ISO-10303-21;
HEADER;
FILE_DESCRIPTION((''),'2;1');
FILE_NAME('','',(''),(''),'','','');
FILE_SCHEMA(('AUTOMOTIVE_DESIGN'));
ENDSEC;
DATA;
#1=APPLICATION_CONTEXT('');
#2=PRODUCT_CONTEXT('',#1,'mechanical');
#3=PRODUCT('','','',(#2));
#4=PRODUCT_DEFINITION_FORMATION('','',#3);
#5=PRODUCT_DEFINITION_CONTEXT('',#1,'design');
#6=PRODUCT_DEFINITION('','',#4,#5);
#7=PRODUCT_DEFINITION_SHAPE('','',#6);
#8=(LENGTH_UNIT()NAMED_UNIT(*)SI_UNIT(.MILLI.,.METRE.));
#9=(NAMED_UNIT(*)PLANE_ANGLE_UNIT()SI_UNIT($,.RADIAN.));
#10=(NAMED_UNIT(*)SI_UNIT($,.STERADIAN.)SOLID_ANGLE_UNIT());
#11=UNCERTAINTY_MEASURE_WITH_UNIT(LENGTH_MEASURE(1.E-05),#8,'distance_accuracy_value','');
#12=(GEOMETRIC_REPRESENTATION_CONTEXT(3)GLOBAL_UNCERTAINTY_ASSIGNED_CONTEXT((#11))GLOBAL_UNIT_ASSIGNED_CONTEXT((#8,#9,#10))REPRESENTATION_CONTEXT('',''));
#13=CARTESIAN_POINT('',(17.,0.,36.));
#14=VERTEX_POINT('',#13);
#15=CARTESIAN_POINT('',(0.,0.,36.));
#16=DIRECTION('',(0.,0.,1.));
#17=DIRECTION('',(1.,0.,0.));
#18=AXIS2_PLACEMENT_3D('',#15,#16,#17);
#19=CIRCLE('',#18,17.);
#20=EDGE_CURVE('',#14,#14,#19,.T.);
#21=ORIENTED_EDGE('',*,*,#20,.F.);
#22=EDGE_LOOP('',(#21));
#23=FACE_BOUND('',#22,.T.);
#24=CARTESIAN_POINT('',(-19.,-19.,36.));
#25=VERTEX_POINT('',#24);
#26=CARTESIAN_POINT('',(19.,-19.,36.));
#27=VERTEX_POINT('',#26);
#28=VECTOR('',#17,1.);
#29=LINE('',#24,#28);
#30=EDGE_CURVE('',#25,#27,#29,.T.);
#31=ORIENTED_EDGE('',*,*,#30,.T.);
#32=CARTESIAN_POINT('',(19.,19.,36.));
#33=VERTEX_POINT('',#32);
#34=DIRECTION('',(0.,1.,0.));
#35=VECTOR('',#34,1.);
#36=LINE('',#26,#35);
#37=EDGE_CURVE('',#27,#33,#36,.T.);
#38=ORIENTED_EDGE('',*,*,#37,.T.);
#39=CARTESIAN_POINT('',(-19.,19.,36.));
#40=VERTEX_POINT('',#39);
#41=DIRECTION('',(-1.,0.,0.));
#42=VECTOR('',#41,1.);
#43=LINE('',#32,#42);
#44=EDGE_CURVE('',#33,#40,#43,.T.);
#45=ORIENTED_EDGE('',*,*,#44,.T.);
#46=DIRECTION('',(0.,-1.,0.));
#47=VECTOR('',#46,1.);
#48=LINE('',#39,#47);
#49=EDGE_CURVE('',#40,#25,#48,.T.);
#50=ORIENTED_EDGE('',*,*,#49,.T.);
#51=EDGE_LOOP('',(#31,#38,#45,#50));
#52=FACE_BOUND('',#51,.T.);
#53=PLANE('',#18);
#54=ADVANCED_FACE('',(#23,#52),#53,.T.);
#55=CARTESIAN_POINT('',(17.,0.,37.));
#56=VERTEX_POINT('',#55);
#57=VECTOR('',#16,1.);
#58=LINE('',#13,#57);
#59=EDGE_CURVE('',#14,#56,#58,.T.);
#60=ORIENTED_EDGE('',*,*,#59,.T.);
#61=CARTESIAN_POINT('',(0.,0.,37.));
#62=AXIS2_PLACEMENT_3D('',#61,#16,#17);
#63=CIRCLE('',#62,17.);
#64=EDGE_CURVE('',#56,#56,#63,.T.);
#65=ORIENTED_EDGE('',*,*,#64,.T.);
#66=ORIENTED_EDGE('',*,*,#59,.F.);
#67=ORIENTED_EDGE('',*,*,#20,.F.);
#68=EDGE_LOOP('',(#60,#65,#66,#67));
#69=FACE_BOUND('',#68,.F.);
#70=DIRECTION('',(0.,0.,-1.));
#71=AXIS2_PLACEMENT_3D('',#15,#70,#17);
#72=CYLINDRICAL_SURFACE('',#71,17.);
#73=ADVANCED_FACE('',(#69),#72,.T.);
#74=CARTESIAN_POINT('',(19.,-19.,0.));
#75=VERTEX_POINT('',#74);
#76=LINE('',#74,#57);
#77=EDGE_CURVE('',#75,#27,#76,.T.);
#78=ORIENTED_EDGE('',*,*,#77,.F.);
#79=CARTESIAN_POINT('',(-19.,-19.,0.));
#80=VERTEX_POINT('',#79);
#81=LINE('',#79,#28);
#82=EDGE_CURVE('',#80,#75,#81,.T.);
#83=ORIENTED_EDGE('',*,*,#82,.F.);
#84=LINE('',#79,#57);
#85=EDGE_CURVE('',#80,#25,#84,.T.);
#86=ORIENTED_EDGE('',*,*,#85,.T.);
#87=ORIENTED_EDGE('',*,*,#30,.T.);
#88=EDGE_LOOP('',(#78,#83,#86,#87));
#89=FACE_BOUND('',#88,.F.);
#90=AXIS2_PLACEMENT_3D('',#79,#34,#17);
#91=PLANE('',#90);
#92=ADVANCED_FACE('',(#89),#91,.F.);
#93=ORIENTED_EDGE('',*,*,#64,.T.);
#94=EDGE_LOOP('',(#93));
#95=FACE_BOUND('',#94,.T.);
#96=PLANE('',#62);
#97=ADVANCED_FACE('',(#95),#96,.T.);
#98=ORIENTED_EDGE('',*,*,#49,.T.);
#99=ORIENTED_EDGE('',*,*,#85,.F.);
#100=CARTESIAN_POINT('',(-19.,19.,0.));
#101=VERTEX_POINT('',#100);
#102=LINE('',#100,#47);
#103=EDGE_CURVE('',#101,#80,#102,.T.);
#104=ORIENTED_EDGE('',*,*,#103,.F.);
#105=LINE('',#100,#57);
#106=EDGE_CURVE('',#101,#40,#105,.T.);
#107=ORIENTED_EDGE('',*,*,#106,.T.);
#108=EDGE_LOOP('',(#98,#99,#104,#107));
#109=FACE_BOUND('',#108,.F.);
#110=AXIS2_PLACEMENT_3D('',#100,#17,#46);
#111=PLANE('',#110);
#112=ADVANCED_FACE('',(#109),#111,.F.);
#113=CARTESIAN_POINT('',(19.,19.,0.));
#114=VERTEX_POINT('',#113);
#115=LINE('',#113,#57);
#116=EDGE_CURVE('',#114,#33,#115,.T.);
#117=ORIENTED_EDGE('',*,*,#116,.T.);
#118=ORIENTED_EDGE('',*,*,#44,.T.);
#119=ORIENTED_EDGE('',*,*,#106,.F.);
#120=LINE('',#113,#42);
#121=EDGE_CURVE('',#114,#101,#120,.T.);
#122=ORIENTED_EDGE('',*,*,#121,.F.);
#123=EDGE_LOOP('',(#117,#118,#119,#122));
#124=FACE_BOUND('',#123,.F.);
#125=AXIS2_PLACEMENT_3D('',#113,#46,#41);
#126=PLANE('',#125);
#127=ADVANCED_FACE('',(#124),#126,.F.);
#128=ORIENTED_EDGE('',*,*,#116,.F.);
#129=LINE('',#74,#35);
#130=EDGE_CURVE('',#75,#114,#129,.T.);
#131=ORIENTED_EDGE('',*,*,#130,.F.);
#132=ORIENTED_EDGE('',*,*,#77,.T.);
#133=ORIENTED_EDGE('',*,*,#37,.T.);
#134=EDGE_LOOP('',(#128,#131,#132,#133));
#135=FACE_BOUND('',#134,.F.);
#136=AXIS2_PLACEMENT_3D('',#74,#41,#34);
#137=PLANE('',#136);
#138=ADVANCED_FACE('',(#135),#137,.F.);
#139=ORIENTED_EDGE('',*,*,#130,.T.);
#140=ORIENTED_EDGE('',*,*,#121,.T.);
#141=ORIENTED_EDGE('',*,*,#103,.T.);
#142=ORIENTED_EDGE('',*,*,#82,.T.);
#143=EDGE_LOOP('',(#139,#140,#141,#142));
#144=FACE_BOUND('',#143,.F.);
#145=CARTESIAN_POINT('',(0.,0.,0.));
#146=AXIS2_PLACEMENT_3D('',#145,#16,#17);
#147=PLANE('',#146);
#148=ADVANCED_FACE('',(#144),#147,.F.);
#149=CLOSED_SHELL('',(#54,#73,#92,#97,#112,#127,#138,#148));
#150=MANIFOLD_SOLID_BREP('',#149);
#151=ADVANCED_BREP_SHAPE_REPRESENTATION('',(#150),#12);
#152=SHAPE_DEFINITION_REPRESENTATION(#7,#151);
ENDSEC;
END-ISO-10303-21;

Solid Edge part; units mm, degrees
sketch "Sketch1" plane through (0, 0, 0) normal (0, 0, 1) x (1, 0, 0)
  line L0 (-19, -19) -> (19, -19)
  line L1 (19, -19) -> (19, 19)
  line L2 (19, 19) -> (-19, 19)
  line L3 (-19, 19) -> (-19, -19)
extrude "Protrusion1" add sketch "Sketch1" along normal blind 36
sketch "Sketch2" plane through (0, 0, 36) normal (0, 0, 1) x (1, 0, 0)
  circle A0 centre (0, 0) radius 17
extrude "ExtrudedProtrusion_2" add sketch "Sketch2" along normal blind 1
